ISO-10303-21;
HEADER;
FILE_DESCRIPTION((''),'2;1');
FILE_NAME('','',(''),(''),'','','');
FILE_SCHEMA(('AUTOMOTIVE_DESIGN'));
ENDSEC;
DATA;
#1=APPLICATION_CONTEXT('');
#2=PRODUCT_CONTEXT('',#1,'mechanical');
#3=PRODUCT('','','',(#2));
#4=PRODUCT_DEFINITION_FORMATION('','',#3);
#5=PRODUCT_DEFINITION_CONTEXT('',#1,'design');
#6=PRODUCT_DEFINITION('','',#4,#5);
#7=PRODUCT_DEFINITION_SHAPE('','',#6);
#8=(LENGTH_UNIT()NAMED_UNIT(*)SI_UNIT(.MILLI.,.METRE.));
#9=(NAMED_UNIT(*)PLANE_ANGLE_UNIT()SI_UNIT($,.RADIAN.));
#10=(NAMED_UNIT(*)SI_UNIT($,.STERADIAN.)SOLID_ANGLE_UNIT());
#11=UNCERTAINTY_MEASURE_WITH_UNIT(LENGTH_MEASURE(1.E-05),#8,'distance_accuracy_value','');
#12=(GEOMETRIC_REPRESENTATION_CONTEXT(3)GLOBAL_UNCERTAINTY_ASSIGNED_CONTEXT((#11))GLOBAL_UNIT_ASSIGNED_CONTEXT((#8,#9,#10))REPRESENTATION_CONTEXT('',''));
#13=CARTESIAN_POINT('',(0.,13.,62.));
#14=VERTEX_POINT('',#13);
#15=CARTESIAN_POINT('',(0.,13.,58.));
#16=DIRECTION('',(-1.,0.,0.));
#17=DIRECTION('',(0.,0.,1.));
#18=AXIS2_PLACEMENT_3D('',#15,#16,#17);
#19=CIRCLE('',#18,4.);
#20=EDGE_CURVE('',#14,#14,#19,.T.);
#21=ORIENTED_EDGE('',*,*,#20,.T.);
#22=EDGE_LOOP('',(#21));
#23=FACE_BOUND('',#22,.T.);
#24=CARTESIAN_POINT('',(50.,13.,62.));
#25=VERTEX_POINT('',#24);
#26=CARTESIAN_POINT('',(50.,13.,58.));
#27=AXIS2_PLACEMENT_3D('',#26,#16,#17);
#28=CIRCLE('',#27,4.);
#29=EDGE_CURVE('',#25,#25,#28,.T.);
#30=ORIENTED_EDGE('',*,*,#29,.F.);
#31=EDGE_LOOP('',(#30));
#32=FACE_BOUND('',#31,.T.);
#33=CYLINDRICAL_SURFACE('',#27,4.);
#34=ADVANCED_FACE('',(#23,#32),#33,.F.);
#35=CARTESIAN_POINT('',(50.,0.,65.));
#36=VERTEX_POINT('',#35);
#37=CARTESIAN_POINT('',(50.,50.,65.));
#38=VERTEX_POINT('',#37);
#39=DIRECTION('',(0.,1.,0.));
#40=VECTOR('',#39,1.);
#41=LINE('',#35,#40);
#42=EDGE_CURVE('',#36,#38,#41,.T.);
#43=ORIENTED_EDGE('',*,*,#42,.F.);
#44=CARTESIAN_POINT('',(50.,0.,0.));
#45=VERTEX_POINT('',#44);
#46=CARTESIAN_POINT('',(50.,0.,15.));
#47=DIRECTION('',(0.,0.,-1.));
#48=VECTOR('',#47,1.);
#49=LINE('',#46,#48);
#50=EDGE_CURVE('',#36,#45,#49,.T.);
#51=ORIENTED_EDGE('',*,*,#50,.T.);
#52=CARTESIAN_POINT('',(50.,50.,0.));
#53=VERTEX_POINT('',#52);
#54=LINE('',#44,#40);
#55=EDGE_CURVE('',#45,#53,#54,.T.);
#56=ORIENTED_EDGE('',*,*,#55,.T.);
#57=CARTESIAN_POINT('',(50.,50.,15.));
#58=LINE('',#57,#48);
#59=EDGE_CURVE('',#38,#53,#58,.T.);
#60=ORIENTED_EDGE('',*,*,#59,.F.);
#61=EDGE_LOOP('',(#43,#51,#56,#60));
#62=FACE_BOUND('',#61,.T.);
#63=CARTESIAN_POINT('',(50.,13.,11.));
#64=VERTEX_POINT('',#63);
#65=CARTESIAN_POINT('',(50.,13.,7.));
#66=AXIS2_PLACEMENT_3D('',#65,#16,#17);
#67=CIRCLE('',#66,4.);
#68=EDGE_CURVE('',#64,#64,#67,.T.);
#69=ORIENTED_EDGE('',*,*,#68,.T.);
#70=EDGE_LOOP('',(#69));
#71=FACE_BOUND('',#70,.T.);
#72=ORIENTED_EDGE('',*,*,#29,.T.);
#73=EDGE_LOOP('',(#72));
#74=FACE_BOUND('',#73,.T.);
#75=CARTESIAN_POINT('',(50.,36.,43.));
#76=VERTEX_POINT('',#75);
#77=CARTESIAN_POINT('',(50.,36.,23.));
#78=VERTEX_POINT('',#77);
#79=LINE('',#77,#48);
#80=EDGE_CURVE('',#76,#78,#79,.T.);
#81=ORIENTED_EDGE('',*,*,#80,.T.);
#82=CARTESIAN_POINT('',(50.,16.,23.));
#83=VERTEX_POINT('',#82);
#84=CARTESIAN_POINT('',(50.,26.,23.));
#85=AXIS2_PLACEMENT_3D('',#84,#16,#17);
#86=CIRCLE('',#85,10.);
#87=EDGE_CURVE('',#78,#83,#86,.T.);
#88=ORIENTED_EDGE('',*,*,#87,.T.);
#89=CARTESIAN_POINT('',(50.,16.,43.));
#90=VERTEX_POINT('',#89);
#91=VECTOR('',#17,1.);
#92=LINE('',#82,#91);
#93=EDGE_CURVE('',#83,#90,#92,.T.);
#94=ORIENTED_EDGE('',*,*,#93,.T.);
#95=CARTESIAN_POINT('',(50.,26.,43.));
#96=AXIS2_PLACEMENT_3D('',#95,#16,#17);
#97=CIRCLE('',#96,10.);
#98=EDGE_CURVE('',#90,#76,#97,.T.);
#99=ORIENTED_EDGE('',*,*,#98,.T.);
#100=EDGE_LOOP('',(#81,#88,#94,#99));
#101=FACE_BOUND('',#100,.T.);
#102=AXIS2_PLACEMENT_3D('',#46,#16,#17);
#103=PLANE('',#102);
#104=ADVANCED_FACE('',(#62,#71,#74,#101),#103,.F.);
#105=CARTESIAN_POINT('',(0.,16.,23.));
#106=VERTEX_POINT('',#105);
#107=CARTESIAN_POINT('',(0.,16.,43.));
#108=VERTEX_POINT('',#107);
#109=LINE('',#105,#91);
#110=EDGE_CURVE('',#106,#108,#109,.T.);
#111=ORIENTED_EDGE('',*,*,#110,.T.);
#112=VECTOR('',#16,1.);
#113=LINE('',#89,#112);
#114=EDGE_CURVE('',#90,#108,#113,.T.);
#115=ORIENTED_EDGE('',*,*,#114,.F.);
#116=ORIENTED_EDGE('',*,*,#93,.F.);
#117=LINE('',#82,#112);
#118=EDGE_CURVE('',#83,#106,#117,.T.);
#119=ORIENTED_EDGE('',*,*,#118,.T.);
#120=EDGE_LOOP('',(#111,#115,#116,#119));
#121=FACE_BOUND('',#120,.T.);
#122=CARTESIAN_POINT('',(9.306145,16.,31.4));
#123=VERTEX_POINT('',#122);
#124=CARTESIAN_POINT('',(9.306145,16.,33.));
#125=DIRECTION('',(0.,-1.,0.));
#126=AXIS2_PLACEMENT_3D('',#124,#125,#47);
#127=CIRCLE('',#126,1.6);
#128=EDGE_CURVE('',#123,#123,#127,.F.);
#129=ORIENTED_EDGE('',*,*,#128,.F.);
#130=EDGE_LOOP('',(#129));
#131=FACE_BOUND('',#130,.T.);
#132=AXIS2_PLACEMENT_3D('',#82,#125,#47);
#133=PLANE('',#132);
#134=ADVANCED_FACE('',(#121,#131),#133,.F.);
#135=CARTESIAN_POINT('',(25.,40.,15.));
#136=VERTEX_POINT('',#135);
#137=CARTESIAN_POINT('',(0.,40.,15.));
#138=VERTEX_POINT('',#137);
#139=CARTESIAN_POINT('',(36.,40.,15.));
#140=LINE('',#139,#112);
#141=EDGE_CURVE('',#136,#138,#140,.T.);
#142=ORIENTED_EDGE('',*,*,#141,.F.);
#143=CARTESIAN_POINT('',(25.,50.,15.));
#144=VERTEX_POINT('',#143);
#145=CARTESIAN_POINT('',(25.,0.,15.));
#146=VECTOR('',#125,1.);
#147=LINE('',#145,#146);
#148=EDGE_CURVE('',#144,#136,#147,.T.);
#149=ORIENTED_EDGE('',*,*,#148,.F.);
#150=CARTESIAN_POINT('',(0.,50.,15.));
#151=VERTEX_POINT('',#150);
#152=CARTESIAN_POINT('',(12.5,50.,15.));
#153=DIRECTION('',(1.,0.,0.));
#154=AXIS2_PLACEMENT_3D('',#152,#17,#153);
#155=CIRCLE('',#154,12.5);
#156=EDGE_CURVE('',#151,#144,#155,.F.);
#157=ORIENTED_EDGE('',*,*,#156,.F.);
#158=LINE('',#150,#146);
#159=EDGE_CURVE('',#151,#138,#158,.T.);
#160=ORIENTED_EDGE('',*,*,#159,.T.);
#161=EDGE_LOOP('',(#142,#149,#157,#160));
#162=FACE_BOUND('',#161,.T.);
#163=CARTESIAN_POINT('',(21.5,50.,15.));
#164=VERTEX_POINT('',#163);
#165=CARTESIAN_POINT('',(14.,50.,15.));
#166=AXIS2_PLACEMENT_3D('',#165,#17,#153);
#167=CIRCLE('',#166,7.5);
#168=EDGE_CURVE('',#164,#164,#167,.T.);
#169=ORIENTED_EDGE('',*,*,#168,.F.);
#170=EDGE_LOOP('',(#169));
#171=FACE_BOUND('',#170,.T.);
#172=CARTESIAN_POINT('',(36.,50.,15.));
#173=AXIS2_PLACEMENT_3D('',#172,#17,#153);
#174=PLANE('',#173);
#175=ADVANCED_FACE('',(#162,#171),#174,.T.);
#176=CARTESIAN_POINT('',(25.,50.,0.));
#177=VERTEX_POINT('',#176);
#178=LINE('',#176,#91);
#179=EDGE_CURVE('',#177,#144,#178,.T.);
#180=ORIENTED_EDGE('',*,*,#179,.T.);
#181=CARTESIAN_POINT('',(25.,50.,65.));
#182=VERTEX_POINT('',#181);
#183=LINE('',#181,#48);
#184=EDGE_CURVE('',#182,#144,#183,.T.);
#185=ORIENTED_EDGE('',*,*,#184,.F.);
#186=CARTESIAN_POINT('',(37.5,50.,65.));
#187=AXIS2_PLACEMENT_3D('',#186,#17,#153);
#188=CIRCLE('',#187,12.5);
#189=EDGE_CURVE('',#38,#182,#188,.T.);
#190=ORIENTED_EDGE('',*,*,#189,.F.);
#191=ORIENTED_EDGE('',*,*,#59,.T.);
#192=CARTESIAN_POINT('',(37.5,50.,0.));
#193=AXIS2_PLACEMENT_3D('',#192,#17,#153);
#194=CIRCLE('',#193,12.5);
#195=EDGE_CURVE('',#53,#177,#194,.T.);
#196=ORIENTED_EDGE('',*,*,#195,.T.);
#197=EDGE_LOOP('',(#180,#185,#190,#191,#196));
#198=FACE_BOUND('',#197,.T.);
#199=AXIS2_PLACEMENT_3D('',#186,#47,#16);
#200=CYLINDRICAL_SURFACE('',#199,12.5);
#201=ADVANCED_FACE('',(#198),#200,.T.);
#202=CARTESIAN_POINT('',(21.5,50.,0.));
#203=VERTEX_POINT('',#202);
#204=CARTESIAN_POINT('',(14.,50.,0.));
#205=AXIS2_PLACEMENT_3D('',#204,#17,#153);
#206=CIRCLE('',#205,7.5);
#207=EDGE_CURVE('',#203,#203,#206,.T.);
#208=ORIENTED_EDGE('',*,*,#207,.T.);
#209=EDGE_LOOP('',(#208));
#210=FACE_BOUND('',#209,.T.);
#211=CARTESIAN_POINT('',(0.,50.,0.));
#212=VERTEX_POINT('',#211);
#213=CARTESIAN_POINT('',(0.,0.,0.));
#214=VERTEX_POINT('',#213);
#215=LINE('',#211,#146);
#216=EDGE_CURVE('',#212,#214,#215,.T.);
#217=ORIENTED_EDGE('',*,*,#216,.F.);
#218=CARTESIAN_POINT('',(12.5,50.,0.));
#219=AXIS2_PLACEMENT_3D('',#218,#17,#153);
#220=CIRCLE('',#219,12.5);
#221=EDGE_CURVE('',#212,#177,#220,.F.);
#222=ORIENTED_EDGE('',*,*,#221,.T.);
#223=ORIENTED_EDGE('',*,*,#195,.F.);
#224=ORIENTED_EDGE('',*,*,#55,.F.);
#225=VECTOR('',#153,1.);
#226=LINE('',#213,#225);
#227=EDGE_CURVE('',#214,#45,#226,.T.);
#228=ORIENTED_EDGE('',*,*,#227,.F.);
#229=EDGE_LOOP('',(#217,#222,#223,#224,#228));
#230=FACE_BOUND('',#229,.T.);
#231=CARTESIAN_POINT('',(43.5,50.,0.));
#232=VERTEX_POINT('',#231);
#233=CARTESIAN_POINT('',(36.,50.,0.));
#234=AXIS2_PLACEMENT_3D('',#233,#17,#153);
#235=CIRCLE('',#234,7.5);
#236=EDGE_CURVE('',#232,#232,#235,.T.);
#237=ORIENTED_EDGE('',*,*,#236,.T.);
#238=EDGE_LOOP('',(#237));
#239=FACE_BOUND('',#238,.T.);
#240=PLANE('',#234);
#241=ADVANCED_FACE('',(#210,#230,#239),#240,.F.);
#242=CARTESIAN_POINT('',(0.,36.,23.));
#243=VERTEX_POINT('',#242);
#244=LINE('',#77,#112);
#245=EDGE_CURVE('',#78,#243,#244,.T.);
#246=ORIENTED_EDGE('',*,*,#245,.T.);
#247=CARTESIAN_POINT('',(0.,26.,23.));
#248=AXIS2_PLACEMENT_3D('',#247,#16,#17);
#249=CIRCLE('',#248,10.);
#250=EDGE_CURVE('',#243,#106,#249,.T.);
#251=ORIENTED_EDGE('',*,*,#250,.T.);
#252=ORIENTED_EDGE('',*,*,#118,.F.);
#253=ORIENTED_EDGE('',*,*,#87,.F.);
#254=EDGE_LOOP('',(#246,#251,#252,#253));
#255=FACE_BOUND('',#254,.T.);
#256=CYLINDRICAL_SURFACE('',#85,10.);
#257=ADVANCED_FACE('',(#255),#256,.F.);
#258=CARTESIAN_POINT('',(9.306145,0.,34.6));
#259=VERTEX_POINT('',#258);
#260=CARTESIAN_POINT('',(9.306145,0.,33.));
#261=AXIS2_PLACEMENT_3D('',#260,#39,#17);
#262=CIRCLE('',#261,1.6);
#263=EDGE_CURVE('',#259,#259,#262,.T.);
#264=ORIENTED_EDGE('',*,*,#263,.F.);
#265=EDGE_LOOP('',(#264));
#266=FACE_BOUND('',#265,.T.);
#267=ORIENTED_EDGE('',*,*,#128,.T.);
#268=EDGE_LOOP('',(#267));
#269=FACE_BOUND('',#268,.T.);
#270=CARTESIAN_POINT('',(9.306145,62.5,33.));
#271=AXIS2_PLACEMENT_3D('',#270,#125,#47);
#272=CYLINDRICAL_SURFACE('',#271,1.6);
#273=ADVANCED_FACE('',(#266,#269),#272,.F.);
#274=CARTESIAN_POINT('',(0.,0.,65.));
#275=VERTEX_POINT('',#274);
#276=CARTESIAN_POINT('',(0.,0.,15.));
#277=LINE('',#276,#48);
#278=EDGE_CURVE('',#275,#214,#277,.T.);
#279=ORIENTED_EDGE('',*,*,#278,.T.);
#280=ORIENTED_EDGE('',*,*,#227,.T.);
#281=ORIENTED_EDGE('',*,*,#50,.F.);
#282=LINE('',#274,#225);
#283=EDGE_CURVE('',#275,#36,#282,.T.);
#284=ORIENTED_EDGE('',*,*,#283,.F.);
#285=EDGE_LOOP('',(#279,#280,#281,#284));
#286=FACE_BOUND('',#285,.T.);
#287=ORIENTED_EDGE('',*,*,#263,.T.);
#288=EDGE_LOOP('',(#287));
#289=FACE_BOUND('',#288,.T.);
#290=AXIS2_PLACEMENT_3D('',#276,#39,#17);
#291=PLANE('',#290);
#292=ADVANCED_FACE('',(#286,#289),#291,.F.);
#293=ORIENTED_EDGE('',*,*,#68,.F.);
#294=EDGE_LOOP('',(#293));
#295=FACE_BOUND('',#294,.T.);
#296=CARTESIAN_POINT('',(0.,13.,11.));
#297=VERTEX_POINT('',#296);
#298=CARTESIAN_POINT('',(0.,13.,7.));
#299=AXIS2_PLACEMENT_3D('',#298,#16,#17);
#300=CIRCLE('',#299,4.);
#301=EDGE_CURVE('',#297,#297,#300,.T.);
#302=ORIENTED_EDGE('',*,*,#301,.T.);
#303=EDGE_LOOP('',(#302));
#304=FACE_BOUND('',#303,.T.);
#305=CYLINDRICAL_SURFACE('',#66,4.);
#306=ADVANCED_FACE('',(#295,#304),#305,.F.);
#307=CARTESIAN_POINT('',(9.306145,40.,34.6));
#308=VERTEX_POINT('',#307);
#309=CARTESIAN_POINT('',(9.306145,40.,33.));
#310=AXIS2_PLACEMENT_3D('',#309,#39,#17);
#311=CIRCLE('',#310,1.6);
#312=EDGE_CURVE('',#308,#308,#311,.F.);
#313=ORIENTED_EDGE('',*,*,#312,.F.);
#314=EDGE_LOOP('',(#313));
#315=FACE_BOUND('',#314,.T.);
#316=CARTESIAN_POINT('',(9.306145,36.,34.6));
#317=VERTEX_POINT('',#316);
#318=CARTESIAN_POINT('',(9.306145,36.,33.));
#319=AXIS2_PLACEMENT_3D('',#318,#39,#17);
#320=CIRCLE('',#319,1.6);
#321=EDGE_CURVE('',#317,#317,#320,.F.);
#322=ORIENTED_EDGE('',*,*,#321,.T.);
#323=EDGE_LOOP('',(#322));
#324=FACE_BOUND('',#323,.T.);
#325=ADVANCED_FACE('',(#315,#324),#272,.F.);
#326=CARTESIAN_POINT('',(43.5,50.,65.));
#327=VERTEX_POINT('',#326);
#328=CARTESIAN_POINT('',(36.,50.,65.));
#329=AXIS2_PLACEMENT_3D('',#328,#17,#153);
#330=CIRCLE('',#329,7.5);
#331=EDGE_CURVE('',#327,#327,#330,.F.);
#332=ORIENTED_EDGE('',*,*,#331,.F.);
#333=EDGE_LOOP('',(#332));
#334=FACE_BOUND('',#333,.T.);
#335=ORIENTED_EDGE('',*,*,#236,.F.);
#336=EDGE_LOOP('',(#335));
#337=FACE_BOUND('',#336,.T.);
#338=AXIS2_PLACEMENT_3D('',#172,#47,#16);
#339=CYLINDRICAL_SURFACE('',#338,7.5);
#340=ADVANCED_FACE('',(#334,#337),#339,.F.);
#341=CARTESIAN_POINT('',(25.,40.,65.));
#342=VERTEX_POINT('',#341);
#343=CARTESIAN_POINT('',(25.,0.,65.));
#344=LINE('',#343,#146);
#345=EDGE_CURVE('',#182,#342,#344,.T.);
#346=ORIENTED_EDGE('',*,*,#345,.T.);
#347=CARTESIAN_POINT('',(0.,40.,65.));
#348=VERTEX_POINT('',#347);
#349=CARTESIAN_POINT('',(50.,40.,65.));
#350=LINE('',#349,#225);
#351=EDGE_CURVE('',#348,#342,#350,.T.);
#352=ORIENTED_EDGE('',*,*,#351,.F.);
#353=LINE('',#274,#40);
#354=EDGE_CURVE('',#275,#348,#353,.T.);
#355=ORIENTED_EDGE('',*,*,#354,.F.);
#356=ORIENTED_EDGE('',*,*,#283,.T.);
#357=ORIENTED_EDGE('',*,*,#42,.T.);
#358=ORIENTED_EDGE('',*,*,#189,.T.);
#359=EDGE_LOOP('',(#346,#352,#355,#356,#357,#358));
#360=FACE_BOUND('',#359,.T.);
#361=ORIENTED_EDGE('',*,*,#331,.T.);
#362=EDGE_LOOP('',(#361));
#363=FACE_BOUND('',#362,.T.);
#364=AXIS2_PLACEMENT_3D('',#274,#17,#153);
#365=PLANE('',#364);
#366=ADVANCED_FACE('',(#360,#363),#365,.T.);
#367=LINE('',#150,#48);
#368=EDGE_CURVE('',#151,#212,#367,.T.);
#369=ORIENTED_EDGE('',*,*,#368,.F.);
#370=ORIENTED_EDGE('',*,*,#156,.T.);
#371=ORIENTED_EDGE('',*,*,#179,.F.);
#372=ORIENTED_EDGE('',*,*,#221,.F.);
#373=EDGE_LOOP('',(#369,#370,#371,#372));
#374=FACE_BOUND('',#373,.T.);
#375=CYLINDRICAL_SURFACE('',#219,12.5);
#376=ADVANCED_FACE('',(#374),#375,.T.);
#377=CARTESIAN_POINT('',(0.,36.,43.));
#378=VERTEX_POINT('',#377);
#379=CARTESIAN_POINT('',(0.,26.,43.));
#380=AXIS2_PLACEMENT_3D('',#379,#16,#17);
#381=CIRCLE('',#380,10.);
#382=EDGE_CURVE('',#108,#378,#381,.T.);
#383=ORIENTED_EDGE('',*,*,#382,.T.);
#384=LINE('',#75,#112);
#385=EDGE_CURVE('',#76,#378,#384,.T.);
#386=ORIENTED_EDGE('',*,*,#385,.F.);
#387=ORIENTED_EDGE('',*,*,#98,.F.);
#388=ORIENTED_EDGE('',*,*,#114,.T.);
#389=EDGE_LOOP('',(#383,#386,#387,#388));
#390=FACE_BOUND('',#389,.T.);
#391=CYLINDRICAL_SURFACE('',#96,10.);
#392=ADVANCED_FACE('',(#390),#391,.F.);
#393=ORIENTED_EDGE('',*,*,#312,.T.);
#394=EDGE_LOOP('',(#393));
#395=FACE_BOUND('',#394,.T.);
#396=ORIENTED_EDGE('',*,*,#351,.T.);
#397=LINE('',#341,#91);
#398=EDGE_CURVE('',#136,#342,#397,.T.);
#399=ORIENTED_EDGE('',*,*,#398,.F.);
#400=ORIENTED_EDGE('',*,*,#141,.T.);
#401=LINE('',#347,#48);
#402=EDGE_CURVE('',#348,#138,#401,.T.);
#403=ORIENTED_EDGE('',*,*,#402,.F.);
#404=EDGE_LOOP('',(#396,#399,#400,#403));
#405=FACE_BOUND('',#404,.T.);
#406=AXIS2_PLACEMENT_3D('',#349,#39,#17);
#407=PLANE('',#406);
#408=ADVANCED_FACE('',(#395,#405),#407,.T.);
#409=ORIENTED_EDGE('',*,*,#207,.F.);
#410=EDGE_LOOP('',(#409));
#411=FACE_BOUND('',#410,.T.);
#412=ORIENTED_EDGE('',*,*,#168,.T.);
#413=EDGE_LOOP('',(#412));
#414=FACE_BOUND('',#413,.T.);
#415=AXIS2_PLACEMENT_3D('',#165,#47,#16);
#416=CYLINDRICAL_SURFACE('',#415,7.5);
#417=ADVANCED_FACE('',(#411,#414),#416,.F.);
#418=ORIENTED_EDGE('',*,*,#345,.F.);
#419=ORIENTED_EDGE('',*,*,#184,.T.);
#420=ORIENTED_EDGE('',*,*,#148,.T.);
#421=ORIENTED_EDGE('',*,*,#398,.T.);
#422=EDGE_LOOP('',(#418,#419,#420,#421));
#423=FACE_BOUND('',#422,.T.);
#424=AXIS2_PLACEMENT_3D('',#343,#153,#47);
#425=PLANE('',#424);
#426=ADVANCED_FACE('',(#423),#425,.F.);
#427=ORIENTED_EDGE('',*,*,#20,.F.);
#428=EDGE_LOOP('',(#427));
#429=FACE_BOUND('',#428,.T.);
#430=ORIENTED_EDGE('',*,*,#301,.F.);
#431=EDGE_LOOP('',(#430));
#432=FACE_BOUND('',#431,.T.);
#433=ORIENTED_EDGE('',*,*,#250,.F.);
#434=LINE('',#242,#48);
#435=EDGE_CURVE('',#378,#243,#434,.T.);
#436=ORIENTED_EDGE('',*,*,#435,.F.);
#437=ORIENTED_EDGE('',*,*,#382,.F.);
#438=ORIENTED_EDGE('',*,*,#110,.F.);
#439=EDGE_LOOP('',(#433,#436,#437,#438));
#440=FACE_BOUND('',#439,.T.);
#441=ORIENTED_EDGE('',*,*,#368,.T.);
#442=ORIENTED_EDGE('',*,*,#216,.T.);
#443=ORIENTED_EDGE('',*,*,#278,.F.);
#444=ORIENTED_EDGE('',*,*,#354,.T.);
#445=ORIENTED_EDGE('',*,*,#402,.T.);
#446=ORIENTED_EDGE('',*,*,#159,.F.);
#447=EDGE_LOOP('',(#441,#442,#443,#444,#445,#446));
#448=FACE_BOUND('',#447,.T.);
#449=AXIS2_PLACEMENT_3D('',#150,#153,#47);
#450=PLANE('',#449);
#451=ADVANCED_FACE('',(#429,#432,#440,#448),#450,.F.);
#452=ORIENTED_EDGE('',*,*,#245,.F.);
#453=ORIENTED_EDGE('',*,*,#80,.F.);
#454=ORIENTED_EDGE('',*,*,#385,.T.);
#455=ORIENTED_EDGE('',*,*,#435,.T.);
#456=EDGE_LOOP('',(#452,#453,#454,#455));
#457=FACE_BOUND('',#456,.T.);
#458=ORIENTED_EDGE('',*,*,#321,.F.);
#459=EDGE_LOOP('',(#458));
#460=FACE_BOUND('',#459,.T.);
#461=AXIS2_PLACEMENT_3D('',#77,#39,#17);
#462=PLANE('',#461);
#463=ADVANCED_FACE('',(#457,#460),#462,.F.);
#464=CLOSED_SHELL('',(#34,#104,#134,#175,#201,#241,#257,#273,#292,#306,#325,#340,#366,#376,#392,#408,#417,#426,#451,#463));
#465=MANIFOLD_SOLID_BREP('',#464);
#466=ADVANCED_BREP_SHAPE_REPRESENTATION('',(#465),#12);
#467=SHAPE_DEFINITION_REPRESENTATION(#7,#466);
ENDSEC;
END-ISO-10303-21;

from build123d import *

# Parameters (mm, degrees)
SKETCH1_R               = 7.5
BOSS_EXTRUDE1_DEPTH     = 15
SKETCH2_R               = 7.5
BOSS_EXTRUDE2_DEPTH     = 50
SKETCH3_W               = 50
SKETCH3_H               = 40
BOSS_EXTRUDE3_DEPTH     = 65
CUT_EXTRUDE1_DEPTH      = 105.024035684
CUT_EXTRUDE2_DEPTH      = 96.372952141
SKETCH9_R               = 4
CUT_EXTRUDE3_DEPTH      = 104.107953137
CUT_EXTRUDE4_DEPTH      = 95.272212237
CUT_EXTRUDE4_DEPTH_BACK = 95.272212237
SKETCH10_R              = 1.6


with BuildPart() as part:
    # Sketch1 → Boss-Extrude1 (new body)
    with BuildSketch(Plane.XY):
        with BuildLine():
            Line((0, 0), (50, 0))
            Line((50, 0), (50, 50))
            ThreePointArc((50, 50), (40.582575695, 63.228756555), (25, 58.660254038))
            ThreePointArc((25, 58.660254038), (9.417424305, 63.228756555), (0, 50))
            Line((0, 50), (0, 0))
        make_face()
        with Locations((36, 50)):
            Circle(SKETCH1_R, mode=Mode.SUBTRACT)
        with Locations((14, 50)):
            Circle(SKETCH1_R, mode=Mode.SUBTRACT)
    extrude(amount=BOSS_EXTRUDE1_DEPTH)

    # Sketch2 → Boss-Extrude2 (add)
    with BuildSketch(Plane.XY.offset(15)):
        with BuildLine():
            Line((25, 50), (25, 0))
            Line((25, 0), (50, 0))
            Line((50, 0), (50, 50))
            ThreePointArc((50, 50), (37.5, 62.5), (25, 50))
        make_face()
        with Locations((36, 50)):
            Circle(SKETCH2_R, mode=Mode.SUBTRACT)
    extrude(amount=BOSS_EXTRUDE2_DEPTH)

    # Sketch3 → Boss-Extrude3 (add)
    with BuildSketch(Plane(origin=(0, 0, 0), x_dir=(-1, 0, 0), z_dir=(0, 0, -1))):
        with Locations((-25, 20)):
            Rectangle(SKETCH3_W, SKETCH3_H)
    extrude(amount=-BOSS_EXTRUDE3_DEPTH)

    # Sketch4 → Cut-Extrude1 (cut, through all)
    with BuildSketch(Plane.ZY):
        with BuildLine():
            Line((23, 36), (43, 36))
            ThreePointArc((43, 36), (53, 26), (43, 16))
            Line((43, 16), (23, 16))
            ThreePointArc((23, 16), (13, 26), (23, 36))
        make_face()
    extrude(amount=-CUT_EXTRUDE1_DEPTH, mode=Mode.SUBTRACT)

    # Sketch2<3> → Cut-Extrude2 (cut, through all)
    with BuildSketch(Plane.XY.offset(15)):
        with BuildLine():
            ThreePointArc((25, 58.660254038), (9.417424305, 63.228756555), (0, 50))
            ThreePointArc((0, 50), (12.5, 62.5), (25, 50))
            ThreePointArc((25, 50), (37.5, 62.5), (50, 50))
            ThreePointArc((50, 50), (40.582575695, 63.228756555), (25, 58.660254038))
        make_face()
    extrude(amount=-CUT_EXTRUDE2_DEPTH, mode=Mode.SUBTRACT)

    # Sketch9 → Cut-Extrude3 (cut, through all)
    with BuildSketch(Plane.ZY):
        with Locations((7, 13)):
            Circle(SKETCH9_R)
        with Locations((58, 13)):
            Circle(SKETCH9_R)
    extrude(amount=-CUT_EXTRUDE3_DEPTH, mode=Mode.SUBTRACT)

    # Sketch10 → Cut-Extrude4 (cut, two sides: drawn at the far end of the back side and taken through both)
    with BuildSketch(Plane(origin=(0, 16, 0), x_dir=(1, 0, 0), z_dir=(0, 1, 0)).offset(-CUT_EXTRUDE4_DEPTH_BACK)):
        with Locations((9.306144925, -33)):
            Circle(SKETCH10_R)
    extrude(amount=CUT_EXTRUDE4_DEPTH + CUT_EXTRUDE4_DEPTH_BACK, mode=Mode.SUBTRACT)


solid = part.part
